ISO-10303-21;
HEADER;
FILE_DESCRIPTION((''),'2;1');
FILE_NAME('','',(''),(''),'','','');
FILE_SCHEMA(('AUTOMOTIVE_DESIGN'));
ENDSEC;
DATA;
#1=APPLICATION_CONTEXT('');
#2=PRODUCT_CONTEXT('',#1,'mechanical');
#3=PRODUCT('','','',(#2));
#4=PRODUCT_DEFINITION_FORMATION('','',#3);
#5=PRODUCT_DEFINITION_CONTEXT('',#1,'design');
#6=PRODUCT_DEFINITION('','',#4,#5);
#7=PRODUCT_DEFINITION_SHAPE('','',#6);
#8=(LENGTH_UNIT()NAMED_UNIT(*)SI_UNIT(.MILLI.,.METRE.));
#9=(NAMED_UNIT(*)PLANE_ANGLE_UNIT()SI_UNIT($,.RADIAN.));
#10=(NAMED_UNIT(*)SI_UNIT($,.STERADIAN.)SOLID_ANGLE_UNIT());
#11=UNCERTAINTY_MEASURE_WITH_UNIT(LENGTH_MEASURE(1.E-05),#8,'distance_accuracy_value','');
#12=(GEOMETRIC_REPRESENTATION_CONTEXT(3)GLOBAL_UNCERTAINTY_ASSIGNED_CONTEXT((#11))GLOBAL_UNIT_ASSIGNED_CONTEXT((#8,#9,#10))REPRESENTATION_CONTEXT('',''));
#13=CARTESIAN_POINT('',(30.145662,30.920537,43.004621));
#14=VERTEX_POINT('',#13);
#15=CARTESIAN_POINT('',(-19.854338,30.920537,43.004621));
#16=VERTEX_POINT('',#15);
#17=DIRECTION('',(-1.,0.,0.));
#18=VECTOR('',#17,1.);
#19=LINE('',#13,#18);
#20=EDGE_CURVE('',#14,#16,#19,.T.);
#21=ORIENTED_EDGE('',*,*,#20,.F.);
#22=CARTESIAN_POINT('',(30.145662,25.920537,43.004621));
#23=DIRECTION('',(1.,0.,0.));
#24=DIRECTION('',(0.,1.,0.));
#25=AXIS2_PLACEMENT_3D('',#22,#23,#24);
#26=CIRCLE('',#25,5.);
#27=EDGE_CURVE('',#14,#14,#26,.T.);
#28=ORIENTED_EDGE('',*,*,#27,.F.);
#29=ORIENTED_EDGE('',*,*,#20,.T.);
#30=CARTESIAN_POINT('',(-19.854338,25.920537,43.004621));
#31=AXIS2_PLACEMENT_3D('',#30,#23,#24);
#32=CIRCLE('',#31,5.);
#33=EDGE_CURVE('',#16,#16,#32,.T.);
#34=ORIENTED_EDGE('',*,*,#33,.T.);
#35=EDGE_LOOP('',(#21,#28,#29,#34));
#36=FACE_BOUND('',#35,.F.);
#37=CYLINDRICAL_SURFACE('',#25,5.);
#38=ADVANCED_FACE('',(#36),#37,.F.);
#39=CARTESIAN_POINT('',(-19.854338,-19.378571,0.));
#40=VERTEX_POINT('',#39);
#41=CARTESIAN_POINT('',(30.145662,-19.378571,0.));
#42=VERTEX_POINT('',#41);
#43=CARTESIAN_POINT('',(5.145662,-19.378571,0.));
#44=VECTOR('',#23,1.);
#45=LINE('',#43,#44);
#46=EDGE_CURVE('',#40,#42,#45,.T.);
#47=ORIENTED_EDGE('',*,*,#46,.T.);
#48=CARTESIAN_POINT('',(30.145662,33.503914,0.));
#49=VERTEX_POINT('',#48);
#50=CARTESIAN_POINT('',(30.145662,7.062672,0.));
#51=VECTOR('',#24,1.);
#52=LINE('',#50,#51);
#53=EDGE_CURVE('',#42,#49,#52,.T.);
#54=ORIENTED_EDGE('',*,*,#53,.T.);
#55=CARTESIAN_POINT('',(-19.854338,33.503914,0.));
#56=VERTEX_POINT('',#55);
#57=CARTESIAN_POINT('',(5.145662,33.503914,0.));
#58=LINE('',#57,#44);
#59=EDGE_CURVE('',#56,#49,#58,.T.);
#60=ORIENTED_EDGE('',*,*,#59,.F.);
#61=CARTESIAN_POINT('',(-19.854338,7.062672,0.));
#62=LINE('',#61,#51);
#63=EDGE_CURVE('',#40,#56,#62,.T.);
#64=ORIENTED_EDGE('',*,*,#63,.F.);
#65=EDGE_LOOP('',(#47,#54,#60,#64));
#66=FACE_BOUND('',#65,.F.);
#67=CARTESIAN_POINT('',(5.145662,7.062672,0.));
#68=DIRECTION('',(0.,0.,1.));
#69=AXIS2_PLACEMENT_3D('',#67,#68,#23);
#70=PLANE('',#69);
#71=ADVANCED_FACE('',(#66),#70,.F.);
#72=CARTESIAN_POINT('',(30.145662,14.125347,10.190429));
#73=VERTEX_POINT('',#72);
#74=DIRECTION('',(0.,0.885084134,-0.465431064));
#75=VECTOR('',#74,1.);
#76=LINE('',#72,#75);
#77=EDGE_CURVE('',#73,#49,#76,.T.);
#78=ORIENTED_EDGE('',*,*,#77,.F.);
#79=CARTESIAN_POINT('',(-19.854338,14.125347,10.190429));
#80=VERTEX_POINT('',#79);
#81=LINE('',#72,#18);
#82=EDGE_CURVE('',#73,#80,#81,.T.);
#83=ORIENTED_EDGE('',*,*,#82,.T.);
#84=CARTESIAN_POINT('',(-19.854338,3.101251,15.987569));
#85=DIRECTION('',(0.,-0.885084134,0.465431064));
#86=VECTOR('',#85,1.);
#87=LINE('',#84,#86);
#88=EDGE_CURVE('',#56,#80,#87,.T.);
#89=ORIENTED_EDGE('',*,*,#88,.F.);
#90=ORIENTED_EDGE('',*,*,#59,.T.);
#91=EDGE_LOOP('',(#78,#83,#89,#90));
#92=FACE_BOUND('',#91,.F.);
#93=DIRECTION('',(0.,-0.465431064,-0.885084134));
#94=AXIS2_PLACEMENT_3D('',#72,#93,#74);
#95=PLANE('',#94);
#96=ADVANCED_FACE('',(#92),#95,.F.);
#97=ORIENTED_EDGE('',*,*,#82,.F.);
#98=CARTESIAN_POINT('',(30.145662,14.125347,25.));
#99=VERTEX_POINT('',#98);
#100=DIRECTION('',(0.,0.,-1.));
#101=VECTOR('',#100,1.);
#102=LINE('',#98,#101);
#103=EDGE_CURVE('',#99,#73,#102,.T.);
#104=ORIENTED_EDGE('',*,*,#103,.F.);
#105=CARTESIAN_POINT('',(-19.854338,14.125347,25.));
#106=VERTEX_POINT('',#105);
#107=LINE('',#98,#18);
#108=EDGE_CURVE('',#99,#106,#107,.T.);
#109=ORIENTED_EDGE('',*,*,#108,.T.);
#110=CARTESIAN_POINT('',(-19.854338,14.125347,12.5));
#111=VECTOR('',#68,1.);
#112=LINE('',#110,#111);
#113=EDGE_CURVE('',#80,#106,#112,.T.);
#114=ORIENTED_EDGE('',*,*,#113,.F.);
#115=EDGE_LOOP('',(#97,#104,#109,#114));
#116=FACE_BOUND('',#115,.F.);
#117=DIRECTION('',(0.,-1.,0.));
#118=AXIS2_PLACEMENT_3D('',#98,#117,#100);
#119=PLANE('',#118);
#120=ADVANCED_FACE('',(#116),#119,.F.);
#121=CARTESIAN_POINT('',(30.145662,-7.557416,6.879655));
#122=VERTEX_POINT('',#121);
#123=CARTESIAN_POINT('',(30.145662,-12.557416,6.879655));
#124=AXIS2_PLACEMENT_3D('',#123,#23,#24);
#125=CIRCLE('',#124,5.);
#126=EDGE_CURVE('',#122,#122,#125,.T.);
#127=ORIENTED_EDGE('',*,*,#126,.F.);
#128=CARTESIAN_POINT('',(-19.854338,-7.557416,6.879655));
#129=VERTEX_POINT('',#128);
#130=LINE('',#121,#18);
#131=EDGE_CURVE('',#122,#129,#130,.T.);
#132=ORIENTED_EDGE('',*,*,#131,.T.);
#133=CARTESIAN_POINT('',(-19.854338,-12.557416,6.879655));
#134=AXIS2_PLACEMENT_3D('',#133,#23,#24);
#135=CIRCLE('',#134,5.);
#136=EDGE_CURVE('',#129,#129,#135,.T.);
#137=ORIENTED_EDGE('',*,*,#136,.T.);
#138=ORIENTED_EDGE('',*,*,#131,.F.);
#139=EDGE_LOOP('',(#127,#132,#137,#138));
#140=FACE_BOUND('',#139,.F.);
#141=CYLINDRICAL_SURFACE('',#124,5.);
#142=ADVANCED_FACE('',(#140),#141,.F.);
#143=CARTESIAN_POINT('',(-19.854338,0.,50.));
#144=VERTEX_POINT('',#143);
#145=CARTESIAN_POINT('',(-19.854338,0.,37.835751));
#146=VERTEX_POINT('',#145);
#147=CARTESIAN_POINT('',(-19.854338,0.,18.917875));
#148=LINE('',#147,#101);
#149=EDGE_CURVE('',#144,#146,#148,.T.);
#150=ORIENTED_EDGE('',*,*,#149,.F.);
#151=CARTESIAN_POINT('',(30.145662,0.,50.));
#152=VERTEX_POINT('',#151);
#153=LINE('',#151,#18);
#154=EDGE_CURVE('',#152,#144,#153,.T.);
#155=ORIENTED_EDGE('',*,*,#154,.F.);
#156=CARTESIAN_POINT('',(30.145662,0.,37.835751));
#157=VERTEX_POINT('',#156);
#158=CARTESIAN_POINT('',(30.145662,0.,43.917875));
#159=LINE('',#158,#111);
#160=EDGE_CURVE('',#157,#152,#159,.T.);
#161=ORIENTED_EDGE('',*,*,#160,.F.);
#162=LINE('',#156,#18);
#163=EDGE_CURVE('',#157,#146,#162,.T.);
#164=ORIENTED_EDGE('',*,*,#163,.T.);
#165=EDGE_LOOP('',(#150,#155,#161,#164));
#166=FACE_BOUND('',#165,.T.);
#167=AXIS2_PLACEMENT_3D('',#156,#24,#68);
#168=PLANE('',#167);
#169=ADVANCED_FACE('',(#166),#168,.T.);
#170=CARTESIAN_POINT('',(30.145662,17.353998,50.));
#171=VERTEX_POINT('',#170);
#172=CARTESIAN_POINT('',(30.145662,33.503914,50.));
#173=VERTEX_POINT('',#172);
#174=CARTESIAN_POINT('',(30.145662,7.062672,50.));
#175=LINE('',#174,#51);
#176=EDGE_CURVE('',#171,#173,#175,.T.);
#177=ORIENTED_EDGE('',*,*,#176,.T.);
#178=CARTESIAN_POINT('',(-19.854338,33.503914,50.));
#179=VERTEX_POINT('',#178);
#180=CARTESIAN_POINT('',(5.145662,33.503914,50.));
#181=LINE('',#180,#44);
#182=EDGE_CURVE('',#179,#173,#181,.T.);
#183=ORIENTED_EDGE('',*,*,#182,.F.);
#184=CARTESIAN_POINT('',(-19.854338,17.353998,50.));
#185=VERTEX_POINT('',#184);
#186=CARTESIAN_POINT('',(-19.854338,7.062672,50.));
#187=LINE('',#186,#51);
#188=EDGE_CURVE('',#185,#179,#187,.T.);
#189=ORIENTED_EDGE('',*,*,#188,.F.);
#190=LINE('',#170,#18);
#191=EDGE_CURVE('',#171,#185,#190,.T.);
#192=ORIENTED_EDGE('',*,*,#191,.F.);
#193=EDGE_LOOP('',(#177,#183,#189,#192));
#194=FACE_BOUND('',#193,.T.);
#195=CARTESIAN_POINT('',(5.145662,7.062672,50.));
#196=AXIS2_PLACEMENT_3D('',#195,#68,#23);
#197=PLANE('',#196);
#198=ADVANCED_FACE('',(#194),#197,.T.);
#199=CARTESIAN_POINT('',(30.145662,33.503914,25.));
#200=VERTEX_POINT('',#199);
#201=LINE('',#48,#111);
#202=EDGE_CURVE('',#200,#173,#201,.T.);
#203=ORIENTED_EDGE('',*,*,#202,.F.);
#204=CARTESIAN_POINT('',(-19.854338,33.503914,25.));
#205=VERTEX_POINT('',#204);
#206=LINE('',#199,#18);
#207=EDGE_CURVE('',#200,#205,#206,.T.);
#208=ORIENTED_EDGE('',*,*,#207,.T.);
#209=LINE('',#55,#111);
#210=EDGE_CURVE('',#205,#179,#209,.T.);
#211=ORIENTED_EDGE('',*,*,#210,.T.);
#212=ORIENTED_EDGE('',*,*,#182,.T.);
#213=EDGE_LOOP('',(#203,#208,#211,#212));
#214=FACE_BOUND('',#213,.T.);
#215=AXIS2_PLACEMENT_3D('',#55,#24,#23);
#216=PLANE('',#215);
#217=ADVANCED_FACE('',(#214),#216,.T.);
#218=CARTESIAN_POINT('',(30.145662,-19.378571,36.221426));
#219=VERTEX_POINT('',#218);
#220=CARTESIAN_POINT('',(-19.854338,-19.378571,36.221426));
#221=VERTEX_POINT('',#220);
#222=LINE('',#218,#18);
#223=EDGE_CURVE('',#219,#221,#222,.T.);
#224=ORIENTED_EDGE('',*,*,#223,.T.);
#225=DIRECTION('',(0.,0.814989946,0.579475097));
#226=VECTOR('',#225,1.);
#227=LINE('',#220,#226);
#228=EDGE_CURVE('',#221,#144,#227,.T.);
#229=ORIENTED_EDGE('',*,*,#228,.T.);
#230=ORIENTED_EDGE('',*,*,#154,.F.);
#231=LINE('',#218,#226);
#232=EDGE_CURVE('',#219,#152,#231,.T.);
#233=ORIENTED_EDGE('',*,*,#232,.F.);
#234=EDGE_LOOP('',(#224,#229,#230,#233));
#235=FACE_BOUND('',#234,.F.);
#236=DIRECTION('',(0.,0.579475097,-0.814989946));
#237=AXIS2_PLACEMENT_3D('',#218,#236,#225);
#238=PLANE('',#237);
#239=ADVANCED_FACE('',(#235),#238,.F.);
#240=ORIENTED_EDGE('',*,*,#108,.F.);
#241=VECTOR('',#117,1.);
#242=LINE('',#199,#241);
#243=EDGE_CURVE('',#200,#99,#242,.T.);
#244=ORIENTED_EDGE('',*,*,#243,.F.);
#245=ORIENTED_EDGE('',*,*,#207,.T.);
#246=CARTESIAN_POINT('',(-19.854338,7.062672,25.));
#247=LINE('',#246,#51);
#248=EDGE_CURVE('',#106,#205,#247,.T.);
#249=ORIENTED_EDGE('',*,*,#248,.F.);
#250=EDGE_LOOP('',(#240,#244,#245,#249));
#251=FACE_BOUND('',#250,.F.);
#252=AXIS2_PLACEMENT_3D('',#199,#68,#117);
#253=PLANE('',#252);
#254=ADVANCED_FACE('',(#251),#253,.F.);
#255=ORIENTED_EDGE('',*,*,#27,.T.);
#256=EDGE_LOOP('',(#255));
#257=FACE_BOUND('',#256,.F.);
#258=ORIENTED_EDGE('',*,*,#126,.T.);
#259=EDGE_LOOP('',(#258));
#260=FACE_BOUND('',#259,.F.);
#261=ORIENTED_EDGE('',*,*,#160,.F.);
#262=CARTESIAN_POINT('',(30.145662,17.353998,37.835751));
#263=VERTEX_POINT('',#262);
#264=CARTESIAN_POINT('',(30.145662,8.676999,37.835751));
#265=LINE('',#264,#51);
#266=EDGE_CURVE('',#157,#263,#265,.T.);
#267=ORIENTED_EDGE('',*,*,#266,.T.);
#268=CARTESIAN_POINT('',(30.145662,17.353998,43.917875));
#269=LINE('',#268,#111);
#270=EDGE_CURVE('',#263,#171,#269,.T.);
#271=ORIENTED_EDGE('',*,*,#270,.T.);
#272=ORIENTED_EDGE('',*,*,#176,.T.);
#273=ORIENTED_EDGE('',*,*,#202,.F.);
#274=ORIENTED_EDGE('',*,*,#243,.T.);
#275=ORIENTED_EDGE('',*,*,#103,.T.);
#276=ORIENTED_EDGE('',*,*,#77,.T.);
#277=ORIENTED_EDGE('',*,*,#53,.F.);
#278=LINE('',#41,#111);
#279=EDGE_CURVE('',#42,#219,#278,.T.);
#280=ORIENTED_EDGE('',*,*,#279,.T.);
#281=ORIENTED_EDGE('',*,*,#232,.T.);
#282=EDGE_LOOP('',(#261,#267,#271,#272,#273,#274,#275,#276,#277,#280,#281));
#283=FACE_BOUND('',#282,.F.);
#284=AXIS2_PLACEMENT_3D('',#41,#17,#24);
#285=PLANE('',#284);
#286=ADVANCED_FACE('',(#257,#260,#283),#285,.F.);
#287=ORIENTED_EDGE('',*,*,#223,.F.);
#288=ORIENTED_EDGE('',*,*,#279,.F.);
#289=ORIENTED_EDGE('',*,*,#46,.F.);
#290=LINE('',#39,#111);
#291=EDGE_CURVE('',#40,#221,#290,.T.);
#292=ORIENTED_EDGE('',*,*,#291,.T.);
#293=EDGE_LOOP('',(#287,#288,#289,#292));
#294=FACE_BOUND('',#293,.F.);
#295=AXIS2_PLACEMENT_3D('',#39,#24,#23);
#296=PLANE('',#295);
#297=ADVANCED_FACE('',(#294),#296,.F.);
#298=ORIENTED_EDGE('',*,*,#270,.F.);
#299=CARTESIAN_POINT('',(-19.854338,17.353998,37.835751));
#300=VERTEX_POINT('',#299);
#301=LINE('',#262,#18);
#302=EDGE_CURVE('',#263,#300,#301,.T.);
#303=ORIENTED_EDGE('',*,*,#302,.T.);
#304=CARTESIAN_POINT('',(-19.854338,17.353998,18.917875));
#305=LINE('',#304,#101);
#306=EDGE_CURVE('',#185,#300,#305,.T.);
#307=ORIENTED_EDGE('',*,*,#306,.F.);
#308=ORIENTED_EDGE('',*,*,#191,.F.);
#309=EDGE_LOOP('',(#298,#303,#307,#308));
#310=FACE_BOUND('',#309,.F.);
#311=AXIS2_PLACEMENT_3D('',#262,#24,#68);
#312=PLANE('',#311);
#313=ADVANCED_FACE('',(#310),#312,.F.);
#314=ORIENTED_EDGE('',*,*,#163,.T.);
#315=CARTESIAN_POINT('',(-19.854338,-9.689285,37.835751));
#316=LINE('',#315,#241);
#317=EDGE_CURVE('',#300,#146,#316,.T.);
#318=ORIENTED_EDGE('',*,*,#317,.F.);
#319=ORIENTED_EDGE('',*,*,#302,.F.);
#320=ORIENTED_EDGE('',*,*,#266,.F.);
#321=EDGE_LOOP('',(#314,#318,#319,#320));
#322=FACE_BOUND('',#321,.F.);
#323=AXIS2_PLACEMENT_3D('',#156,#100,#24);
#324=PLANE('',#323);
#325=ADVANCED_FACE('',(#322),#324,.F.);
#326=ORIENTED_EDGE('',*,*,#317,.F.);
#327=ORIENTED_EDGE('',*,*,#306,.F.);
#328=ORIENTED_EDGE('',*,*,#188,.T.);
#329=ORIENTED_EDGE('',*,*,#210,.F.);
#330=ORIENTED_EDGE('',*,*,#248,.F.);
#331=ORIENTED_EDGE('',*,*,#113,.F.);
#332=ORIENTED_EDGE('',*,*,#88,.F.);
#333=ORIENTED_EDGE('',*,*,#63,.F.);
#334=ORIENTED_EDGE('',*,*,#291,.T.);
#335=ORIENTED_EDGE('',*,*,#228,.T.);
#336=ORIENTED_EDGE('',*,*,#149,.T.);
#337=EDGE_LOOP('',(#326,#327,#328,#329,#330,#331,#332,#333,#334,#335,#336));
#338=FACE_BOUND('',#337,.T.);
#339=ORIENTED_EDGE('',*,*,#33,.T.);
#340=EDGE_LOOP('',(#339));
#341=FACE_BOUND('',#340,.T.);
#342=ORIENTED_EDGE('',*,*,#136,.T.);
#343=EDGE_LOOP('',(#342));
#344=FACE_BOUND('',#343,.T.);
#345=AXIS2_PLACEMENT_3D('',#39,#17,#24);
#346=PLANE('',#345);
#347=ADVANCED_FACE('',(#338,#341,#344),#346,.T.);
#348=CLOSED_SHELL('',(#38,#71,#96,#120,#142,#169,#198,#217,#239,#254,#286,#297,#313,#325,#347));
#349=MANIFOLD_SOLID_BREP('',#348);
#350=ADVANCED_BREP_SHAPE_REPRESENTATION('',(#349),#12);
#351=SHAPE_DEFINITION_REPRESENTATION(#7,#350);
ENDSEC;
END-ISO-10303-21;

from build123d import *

# Parameters (mm, degrees)
F0_W     = 50
F0_H     = 52.8824854079
F1_DEPTH = 50
F3_DEPTH = 50
F4_R     = 5
F5_DEPTH = 50.001
F6_W     = 17.3539984971
F6_H     = 12.1642492712
F7_DEPTH = 50.001


with BuildPart() as f1:
    # F0 (on Top) → F1 (new body)
    with BuildSketch(Plane.XY):
        with Locations((5.1456615329, 7.0626717061)):
            Rectangle(F0_W, F0_H)
    extrude(amount=F1_DEPTH)

    # F2 (on face) → F3 (cut)
    with BuildSketch(Plane.YZ.offset(30.1456615329)):
        Polygon((-19.3785709979, 50), (-19.3785709979, 36.2214259803), (0, 50), align=None)
    extrude(amount=-F3_DEPTH, mode=Mode.SUBTRACT)

    # F4 (on face) → F5 (cut, through all)
    with BuildSketch(Plane.YZ.offset(30.1456615329)):
        with Locations((-12.5574155126, 6.8796549415)):
            Circle(F4_R)
        with Locations((25.9205371111, 43.0046210508)):
            Circle(F4_R)
    extrude(amount=-F5_DEPTH, mode=Mode.SUBTRACT)

    # F6 (on face) → F7 (cut, through all)
    with BuildSketch(Plane.YZ.offset(30.1456615329)):
        Polygon((33.50391441, 0), (33.50391441, 25), (14.1253471375, 25), (14.1253471375, 10.190429166), align=None)
        with Locations((8.6769992486, 43.9178753644)):
            Rectangle(F6_W, F6_H)
    extrude(amount=-F7_DEPTH, mode=Mode.SUBTRACT)


solid = f1.part
